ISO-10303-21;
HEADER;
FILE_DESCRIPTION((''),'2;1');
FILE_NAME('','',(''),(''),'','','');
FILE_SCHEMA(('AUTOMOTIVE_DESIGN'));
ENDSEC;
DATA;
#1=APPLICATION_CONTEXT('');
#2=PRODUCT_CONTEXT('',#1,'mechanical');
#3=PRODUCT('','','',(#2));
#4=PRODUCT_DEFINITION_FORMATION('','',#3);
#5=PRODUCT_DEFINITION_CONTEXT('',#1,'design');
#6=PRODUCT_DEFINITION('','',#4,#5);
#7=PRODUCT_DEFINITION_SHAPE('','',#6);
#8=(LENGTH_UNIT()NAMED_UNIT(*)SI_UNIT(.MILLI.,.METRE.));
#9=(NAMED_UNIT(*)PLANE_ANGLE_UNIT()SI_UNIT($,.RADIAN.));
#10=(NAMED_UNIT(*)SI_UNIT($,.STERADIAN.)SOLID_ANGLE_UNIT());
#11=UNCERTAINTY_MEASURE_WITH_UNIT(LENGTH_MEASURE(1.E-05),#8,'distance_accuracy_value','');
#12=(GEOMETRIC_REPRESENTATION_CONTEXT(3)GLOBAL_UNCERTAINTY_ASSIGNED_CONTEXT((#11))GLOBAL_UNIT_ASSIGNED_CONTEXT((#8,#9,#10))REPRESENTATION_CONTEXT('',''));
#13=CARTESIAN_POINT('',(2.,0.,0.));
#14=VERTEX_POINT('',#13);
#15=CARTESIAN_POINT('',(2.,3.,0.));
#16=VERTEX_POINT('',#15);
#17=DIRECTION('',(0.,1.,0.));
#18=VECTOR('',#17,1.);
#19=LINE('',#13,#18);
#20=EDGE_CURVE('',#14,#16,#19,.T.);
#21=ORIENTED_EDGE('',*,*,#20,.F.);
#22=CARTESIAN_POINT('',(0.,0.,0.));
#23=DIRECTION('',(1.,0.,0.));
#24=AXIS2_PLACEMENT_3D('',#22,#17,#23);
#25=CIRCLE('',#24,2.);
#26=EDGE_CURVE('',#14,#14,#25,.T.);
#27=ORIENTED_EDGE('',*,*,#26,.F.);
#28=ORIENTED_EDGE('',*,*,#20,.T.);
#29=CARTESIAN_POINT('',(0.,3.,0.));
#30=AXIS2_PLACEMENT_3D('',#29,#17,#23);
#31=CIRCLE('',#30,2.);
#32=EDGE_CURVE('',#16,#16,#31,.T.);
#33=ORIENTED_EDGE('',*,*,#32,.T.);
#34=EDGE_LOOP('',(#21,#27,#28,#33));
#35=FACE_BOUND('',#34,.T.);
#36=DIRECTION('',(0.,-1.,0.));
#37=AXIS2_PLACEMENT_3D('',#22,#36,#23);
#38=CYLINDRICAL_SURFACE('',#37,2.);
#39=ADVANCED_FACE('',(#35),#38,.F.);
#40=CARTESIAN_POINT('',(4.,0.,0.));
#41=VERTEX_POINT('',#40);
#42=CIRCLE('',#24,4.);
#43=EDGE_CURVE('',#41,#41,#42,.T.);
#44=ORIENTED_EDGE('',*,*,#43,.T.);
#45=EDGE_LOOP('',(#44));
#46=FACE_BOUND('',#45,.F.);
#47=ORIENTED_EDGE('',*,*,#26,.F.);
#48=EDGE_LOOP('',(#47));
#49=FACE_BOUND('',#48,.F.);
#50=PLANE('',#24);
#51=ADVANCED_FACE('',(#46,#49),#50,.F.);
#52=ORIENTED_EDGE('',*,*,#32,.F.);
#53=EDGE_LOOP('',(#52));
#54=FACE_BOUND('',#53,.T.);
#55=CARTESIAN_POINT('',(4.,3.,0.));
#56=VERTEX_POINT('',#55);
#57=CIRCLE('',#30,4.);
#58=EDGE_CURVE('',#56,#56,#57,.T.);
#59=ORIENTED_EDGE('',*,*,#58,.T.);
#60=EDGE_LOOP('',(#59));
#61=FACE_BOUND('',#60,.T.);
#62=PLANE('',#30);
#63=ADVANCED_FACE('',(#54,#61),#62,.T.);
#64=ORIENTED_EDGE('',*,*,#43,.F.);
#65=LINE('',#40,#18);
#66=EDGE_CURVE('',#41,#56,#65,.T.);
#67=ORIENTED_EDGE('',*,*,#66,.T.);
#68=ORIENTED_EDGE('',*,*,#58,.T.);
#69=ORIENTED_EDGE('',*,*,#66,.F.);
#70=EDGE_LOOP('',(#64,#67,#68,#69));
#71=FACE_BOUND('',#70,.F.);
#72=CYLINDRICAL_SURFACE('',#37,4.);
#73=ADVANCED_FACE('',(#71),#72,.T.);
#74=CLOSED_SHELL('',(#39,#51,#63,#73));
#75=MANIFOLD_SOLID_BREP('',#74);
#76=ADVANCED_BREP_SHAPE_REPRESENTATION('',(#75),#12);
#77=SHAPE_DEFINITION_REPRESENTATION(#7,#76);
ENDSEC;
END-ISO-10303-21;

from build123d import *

# Parameters (mm, degrees)
SKETCH2_R           = 4
BOSS_EXTRUDE1_DEPTH = 3
SKETCH3_R           = 2
CUT_EXTRUDE1_DEPTH  = 3


with BuildPart() as part:
    # Sketch2 → Boss-Extrude1 (new body)
    with BuildSketch(Plane(origin=(0, 0, 0), x_dir=(1, 0, 0), z_dir=(0, 1, 0))):
        Circle(SKETCH2_R)
    extrude(amount=BOSS_EXTRUDE1_DEPTH)

    # Sketch3 → Cut-Extrude1 (cut)
    with BuildSketch(Plane(origin=(0, 0, 0), x_dir=(1, 0, 0), z_dir=(0, 1, 0))):
        Circle(SKETCH3_R)
    extrude(amount=CUT_EXTRUDE1_DEPTH, mode=Mode.SUBTRACT)


solid = part.part
